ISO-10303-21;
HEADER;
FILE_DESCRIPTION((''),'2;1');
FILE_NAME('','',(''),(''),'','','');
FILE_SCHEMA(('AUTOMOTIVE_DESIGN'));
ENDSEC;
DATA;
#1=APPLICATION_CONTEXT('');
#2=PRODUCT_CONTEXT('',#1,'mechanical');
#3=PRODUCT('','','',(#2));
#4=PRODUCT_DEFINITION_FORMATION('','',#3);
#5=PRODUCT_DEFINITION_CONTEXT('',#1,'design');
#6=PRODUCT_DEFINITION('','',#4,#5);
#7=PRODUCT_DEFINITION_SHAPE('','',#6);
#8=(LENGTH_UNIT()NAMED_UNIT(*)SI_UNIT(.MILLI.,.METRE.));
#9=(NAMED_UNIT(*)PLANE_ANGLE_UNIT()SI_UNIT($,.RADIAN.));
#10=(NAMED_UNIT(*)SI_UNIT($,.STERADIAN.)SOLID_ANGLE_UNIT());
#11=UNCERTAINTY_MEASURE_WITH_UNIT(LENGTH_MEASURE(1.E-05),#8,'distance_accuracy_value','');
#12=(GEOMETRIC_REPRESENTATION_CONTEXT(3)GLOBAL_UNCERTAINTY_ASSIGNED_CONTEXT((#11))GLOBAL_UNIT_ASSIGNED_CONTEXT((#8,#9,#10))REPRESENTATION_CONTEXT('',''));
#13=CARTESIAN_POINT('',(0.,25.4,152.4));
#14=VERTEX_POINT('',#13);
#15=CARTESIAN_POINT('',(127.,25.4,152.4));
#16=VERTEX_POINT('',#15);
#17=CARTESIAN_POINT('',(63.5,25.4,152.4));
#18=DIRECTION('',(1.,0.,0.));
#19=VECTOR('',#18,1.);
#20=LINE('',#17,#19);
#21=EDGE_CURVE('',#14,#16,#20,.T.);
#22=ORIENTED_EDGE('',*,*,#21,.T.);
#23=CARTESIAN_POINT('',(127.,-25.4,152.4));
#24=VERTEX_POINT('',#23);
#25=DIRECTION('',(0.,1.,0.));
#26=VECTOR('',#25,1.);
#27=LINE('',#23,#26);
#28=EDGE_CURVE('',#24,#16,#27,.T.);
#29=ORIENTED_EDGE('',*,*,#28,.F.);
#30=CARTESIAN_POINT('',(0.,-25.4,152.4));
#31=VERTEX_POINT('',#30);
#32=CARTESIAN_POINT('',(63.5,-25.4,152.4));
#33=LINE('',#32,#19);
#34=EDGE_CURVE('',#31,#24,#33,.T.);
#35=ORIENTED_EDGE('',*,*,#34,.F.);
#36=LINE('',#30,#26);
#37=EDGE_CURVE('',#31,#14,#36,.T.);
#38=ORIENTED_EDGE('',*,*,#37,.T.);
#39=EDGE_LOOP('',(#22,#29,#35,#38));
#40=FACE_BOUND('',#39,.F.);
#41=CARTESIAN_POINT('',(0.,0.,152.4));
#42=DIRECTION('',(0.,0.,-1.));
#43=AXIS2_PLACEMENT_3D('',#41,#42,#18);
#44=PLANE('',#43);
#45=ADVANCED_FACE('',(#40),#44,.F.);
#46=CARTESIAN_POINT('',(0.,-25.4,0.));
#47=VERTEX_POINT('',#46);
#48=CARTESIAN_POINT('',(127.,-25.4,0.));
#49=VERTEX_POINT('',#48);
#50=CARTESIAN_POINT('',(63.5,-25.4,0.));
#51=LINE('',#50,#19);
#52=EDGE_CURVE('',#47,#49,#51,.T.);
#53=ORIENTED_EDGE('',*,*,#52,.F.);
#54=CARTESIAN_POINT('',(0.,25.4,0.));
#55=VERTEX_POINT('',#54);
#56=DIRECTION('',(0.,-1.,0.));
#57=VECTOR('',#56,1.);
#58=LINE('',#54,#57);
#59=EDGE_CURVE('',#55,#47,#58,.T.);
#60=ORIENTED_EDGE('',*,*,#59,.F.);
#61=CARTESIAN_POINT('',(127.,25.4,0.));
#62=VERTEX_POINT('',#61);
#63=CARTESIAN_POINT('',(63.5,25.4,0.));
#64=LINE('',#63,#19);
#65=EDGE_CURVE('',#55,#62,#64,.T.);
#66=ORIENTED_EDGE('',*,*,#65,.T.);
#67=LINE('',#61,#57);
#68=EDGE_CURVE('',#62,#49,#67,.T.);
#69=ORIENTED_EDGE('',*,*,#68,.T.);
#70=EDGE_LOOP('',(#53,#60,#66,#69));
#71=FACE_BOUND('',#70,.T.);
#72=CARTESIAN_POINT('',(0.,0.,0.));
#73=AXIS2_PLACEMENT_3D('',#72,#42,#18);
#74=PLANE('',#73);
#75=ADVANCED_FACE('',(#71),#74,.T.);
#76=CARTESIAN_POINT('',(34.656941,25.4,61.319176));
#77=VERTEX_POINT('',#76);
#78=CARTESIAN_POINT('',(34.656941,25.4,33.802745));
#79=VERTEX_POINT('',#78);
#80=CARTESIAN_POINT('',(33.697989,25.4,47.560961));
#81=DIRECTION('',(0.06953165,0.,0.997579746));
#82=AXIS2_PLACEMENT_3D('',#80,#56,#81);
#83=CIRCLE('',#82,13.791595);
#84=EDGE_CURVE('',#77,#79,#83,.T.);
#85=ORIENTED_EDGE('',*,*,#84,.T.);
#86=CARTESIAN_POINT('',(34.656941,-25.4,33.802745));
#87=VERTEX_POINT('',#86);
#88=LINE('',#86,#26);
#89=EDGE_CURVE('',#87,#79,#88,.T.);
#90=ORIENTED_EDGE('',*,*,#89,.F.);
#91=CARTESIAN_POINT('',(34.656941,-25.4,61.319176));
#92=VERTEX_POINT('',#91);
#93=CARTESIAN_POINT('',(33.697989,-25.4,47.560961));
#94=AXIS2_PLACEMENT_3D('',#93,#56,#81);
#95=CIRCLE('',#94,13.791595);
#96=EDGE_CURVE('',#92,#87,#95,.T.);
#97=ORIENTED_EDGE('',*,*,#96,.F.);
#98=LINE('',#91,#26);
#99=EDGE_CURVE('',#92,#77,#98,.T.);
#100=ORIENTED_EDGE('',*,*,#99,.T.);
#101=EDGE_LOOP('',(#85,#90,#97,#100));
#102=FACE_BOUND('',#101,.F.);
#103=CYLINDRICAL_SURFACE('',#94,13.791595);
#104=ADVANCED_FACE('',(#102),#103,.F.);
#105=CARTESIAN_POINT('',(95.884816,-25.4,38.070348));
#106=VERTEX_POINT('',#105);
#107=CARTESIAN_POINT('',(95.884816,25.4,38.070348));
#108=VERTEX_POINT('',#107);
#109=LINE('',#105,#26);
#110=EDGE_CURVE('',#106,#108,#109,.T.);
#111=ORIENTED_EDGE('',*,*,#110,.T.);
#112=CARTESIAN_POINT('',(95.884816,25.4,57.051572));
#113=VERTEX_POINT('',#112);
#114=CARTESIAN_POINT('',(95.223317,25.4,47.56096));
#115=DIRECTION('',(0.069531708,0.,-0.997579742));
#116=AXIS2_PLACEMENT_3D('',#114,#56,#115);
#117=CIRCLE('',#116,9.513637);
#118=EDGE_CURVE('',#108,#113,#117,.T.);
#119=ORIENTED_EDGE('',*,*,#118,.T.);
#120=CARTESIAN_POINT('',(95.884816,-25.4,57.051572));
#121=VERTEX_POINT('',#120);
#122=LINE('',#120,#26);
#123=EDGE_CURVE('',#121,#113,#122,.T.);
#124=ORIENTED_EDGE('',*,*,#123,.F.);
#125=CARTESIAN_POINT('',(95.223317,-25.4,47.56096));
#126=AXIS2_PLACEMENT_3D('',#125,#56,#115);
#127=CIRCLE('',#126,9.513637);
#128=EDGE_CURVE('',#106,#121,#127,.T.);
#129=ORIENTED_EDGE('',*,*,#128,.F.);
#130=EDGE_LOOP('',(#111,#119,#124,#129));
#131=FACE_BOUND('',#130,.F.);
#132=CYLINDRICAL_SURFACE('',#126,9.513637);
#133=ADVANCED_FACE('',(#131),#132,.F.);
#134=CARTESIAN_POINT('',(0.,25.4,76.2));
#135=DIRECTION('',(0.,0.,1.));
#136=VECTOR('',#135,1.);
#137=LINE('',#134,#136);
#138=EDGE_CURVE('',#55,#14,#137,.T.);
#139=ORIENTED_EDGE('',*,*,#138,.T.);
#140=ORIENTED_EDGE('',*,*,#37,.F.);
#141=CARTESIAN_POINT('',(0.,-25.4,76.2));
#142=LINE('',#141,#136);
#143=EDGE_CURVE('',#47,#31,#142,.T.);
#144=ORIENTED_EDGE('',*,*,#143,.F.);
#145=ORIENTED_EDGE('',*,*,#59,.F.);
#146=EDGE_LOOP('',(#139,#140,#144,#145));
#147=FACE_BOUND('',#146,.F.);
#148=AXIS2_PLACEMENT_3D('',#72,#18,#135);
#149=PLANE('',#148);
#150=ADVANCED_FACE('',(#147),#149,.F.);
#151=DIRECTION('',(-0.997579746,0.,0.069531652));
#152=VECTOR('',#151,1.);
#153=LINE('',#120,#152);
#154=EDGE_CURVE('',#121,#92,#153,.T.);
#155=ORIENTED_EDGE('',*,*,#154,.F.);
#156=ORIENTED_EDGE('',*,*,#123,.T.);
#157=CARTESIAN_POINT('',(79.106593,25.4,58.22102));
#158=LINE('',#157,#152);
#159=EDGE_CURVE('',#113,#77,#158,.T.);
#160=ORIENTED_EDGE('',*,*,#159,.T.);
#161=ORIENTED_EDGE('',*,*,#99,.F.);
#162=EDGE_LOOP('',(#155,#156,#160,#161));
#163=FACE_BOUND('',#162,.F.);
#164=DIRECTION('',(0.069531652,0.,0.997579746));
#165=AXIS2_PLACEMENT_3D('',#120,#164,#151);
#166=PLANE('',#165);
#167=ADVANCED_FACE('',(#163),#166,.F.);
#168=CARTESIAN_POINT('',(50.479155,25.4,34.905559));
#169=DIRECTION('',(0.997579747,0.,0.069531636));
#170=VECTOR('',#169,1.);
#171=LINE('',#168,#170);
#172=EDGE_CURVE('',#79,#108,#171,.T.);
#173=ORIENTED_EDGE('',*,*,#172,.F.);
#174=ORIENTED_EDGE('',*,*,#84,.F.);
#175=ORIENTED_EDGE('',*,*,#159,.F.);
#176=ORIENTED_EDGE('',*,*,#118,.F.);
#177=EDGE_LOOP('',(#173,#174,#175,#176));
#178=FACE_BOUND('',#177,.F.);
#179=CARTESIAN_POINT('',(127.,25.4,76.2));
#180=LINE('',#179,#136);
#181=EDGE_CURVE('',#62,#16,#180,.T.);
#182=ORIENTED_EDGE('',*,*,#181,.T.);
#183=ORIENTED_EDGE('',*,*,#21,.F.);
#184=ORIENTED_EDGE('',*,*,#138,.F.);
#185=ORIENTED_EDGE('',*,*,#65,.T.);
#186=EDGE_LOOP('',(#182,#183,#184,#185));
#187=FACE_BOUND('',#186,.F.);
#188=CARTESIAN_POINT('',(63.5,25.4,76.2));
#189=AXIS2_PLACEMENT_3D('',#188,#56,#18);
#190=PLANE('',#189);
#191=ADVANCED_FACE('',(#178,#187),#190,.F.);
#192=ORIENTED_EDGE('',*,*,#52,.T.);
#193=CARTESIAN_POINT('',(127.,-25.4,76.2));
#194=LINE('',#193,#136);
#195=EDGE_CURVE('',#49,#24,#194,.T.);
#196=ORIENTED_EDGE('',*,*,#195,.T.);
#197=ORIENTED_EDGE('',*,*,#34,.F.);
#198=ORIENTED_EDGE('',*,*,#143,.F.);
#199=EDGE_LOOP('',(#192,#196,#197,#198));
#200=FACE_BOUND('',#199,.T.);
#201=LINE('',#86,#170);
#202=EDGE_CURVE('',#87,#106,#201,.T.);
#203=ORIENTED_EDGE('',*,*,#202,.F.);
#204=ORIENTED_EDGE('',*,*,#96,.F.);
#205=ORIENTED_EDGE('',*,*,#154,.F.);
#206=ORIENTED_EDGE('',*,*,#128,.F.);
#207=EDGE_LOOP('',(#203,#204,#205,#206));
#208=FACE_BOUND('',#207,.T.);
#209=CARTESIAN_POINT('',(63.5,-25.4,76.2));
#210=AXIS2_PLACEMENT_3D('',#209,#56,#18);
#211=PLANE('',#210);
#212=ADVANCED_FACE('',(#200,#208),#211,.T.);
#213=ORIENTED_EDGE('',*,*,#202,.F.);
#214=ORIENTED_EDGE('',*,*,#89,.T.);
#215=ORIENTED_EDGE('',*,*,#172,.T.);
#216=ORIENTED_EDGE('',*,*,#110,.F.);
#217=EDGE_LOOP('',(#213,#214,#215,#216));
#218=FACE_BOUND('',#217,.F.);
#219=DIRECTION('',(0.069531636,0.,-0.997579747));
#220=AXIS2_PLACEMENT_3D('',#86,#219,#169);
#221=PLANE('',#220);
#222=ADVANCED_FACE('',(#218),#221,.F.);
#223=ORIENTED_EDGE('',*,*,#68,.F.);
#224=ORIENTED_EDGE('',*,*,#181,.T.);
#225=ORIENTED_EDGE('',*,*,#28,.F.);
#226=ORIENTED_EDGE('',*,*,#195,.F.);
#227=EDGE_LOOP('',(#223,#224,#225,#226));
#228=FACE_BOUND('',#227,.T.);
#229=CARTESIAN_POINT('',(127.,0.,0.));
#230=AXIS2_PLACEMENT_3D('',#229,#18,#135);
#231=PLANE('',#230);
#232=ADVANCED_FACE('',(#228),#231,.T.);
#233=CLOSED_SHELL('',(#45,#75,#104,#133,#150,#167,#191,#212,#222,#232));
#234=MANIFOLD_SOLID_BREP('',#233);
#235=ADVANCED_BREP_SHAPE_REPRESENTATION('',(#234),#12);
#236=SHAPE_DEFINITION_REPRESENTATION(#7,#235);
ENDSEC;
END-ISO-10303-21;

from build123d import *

# Parameters (mm, degrees)
F0_W          = 127
F0_H          = 152.4
F1_DEPTH      = 25.4
F1_DEPTH_BACK = 25.4
F3_DEPTH      = 50.801


with BuildPart() as f1:
    # F0 (on Front) → F1 (new body, two sides)
    with BuildSketch(Plane.XZ) as f1_sk:
        with Locations((63.5, 76.2)):
            Rectangle(F0_W, F0_H)
    extrude(amount=F1_DEPTH)
    extrude(f1_sk.sketch, amount=-F1_DEPTH_BACK)

    # F2 (on face) → F3 (cut, through all)
    with BuildSketch(Plane.XZ.offset(25.4)):
        with BuildLine():
            Line((34.656941, 33.802745), (95.884816, 38.070348))
            ThreePointArc((95.884816, 38.070348), (104.736954, 47.56096), (95.884816, 57.051572))
            Line((95.884816, 57.051572), (34.656941, 61.319176))
            ThreePointArc((34.656941, 61.319176), (19.906394, 47.56096), (34.656941, 33.802745))
        make_face()
    extrude(amount=-F3_DEPTH, mode=Mode.SUBTRACT)


solid = f1.part
